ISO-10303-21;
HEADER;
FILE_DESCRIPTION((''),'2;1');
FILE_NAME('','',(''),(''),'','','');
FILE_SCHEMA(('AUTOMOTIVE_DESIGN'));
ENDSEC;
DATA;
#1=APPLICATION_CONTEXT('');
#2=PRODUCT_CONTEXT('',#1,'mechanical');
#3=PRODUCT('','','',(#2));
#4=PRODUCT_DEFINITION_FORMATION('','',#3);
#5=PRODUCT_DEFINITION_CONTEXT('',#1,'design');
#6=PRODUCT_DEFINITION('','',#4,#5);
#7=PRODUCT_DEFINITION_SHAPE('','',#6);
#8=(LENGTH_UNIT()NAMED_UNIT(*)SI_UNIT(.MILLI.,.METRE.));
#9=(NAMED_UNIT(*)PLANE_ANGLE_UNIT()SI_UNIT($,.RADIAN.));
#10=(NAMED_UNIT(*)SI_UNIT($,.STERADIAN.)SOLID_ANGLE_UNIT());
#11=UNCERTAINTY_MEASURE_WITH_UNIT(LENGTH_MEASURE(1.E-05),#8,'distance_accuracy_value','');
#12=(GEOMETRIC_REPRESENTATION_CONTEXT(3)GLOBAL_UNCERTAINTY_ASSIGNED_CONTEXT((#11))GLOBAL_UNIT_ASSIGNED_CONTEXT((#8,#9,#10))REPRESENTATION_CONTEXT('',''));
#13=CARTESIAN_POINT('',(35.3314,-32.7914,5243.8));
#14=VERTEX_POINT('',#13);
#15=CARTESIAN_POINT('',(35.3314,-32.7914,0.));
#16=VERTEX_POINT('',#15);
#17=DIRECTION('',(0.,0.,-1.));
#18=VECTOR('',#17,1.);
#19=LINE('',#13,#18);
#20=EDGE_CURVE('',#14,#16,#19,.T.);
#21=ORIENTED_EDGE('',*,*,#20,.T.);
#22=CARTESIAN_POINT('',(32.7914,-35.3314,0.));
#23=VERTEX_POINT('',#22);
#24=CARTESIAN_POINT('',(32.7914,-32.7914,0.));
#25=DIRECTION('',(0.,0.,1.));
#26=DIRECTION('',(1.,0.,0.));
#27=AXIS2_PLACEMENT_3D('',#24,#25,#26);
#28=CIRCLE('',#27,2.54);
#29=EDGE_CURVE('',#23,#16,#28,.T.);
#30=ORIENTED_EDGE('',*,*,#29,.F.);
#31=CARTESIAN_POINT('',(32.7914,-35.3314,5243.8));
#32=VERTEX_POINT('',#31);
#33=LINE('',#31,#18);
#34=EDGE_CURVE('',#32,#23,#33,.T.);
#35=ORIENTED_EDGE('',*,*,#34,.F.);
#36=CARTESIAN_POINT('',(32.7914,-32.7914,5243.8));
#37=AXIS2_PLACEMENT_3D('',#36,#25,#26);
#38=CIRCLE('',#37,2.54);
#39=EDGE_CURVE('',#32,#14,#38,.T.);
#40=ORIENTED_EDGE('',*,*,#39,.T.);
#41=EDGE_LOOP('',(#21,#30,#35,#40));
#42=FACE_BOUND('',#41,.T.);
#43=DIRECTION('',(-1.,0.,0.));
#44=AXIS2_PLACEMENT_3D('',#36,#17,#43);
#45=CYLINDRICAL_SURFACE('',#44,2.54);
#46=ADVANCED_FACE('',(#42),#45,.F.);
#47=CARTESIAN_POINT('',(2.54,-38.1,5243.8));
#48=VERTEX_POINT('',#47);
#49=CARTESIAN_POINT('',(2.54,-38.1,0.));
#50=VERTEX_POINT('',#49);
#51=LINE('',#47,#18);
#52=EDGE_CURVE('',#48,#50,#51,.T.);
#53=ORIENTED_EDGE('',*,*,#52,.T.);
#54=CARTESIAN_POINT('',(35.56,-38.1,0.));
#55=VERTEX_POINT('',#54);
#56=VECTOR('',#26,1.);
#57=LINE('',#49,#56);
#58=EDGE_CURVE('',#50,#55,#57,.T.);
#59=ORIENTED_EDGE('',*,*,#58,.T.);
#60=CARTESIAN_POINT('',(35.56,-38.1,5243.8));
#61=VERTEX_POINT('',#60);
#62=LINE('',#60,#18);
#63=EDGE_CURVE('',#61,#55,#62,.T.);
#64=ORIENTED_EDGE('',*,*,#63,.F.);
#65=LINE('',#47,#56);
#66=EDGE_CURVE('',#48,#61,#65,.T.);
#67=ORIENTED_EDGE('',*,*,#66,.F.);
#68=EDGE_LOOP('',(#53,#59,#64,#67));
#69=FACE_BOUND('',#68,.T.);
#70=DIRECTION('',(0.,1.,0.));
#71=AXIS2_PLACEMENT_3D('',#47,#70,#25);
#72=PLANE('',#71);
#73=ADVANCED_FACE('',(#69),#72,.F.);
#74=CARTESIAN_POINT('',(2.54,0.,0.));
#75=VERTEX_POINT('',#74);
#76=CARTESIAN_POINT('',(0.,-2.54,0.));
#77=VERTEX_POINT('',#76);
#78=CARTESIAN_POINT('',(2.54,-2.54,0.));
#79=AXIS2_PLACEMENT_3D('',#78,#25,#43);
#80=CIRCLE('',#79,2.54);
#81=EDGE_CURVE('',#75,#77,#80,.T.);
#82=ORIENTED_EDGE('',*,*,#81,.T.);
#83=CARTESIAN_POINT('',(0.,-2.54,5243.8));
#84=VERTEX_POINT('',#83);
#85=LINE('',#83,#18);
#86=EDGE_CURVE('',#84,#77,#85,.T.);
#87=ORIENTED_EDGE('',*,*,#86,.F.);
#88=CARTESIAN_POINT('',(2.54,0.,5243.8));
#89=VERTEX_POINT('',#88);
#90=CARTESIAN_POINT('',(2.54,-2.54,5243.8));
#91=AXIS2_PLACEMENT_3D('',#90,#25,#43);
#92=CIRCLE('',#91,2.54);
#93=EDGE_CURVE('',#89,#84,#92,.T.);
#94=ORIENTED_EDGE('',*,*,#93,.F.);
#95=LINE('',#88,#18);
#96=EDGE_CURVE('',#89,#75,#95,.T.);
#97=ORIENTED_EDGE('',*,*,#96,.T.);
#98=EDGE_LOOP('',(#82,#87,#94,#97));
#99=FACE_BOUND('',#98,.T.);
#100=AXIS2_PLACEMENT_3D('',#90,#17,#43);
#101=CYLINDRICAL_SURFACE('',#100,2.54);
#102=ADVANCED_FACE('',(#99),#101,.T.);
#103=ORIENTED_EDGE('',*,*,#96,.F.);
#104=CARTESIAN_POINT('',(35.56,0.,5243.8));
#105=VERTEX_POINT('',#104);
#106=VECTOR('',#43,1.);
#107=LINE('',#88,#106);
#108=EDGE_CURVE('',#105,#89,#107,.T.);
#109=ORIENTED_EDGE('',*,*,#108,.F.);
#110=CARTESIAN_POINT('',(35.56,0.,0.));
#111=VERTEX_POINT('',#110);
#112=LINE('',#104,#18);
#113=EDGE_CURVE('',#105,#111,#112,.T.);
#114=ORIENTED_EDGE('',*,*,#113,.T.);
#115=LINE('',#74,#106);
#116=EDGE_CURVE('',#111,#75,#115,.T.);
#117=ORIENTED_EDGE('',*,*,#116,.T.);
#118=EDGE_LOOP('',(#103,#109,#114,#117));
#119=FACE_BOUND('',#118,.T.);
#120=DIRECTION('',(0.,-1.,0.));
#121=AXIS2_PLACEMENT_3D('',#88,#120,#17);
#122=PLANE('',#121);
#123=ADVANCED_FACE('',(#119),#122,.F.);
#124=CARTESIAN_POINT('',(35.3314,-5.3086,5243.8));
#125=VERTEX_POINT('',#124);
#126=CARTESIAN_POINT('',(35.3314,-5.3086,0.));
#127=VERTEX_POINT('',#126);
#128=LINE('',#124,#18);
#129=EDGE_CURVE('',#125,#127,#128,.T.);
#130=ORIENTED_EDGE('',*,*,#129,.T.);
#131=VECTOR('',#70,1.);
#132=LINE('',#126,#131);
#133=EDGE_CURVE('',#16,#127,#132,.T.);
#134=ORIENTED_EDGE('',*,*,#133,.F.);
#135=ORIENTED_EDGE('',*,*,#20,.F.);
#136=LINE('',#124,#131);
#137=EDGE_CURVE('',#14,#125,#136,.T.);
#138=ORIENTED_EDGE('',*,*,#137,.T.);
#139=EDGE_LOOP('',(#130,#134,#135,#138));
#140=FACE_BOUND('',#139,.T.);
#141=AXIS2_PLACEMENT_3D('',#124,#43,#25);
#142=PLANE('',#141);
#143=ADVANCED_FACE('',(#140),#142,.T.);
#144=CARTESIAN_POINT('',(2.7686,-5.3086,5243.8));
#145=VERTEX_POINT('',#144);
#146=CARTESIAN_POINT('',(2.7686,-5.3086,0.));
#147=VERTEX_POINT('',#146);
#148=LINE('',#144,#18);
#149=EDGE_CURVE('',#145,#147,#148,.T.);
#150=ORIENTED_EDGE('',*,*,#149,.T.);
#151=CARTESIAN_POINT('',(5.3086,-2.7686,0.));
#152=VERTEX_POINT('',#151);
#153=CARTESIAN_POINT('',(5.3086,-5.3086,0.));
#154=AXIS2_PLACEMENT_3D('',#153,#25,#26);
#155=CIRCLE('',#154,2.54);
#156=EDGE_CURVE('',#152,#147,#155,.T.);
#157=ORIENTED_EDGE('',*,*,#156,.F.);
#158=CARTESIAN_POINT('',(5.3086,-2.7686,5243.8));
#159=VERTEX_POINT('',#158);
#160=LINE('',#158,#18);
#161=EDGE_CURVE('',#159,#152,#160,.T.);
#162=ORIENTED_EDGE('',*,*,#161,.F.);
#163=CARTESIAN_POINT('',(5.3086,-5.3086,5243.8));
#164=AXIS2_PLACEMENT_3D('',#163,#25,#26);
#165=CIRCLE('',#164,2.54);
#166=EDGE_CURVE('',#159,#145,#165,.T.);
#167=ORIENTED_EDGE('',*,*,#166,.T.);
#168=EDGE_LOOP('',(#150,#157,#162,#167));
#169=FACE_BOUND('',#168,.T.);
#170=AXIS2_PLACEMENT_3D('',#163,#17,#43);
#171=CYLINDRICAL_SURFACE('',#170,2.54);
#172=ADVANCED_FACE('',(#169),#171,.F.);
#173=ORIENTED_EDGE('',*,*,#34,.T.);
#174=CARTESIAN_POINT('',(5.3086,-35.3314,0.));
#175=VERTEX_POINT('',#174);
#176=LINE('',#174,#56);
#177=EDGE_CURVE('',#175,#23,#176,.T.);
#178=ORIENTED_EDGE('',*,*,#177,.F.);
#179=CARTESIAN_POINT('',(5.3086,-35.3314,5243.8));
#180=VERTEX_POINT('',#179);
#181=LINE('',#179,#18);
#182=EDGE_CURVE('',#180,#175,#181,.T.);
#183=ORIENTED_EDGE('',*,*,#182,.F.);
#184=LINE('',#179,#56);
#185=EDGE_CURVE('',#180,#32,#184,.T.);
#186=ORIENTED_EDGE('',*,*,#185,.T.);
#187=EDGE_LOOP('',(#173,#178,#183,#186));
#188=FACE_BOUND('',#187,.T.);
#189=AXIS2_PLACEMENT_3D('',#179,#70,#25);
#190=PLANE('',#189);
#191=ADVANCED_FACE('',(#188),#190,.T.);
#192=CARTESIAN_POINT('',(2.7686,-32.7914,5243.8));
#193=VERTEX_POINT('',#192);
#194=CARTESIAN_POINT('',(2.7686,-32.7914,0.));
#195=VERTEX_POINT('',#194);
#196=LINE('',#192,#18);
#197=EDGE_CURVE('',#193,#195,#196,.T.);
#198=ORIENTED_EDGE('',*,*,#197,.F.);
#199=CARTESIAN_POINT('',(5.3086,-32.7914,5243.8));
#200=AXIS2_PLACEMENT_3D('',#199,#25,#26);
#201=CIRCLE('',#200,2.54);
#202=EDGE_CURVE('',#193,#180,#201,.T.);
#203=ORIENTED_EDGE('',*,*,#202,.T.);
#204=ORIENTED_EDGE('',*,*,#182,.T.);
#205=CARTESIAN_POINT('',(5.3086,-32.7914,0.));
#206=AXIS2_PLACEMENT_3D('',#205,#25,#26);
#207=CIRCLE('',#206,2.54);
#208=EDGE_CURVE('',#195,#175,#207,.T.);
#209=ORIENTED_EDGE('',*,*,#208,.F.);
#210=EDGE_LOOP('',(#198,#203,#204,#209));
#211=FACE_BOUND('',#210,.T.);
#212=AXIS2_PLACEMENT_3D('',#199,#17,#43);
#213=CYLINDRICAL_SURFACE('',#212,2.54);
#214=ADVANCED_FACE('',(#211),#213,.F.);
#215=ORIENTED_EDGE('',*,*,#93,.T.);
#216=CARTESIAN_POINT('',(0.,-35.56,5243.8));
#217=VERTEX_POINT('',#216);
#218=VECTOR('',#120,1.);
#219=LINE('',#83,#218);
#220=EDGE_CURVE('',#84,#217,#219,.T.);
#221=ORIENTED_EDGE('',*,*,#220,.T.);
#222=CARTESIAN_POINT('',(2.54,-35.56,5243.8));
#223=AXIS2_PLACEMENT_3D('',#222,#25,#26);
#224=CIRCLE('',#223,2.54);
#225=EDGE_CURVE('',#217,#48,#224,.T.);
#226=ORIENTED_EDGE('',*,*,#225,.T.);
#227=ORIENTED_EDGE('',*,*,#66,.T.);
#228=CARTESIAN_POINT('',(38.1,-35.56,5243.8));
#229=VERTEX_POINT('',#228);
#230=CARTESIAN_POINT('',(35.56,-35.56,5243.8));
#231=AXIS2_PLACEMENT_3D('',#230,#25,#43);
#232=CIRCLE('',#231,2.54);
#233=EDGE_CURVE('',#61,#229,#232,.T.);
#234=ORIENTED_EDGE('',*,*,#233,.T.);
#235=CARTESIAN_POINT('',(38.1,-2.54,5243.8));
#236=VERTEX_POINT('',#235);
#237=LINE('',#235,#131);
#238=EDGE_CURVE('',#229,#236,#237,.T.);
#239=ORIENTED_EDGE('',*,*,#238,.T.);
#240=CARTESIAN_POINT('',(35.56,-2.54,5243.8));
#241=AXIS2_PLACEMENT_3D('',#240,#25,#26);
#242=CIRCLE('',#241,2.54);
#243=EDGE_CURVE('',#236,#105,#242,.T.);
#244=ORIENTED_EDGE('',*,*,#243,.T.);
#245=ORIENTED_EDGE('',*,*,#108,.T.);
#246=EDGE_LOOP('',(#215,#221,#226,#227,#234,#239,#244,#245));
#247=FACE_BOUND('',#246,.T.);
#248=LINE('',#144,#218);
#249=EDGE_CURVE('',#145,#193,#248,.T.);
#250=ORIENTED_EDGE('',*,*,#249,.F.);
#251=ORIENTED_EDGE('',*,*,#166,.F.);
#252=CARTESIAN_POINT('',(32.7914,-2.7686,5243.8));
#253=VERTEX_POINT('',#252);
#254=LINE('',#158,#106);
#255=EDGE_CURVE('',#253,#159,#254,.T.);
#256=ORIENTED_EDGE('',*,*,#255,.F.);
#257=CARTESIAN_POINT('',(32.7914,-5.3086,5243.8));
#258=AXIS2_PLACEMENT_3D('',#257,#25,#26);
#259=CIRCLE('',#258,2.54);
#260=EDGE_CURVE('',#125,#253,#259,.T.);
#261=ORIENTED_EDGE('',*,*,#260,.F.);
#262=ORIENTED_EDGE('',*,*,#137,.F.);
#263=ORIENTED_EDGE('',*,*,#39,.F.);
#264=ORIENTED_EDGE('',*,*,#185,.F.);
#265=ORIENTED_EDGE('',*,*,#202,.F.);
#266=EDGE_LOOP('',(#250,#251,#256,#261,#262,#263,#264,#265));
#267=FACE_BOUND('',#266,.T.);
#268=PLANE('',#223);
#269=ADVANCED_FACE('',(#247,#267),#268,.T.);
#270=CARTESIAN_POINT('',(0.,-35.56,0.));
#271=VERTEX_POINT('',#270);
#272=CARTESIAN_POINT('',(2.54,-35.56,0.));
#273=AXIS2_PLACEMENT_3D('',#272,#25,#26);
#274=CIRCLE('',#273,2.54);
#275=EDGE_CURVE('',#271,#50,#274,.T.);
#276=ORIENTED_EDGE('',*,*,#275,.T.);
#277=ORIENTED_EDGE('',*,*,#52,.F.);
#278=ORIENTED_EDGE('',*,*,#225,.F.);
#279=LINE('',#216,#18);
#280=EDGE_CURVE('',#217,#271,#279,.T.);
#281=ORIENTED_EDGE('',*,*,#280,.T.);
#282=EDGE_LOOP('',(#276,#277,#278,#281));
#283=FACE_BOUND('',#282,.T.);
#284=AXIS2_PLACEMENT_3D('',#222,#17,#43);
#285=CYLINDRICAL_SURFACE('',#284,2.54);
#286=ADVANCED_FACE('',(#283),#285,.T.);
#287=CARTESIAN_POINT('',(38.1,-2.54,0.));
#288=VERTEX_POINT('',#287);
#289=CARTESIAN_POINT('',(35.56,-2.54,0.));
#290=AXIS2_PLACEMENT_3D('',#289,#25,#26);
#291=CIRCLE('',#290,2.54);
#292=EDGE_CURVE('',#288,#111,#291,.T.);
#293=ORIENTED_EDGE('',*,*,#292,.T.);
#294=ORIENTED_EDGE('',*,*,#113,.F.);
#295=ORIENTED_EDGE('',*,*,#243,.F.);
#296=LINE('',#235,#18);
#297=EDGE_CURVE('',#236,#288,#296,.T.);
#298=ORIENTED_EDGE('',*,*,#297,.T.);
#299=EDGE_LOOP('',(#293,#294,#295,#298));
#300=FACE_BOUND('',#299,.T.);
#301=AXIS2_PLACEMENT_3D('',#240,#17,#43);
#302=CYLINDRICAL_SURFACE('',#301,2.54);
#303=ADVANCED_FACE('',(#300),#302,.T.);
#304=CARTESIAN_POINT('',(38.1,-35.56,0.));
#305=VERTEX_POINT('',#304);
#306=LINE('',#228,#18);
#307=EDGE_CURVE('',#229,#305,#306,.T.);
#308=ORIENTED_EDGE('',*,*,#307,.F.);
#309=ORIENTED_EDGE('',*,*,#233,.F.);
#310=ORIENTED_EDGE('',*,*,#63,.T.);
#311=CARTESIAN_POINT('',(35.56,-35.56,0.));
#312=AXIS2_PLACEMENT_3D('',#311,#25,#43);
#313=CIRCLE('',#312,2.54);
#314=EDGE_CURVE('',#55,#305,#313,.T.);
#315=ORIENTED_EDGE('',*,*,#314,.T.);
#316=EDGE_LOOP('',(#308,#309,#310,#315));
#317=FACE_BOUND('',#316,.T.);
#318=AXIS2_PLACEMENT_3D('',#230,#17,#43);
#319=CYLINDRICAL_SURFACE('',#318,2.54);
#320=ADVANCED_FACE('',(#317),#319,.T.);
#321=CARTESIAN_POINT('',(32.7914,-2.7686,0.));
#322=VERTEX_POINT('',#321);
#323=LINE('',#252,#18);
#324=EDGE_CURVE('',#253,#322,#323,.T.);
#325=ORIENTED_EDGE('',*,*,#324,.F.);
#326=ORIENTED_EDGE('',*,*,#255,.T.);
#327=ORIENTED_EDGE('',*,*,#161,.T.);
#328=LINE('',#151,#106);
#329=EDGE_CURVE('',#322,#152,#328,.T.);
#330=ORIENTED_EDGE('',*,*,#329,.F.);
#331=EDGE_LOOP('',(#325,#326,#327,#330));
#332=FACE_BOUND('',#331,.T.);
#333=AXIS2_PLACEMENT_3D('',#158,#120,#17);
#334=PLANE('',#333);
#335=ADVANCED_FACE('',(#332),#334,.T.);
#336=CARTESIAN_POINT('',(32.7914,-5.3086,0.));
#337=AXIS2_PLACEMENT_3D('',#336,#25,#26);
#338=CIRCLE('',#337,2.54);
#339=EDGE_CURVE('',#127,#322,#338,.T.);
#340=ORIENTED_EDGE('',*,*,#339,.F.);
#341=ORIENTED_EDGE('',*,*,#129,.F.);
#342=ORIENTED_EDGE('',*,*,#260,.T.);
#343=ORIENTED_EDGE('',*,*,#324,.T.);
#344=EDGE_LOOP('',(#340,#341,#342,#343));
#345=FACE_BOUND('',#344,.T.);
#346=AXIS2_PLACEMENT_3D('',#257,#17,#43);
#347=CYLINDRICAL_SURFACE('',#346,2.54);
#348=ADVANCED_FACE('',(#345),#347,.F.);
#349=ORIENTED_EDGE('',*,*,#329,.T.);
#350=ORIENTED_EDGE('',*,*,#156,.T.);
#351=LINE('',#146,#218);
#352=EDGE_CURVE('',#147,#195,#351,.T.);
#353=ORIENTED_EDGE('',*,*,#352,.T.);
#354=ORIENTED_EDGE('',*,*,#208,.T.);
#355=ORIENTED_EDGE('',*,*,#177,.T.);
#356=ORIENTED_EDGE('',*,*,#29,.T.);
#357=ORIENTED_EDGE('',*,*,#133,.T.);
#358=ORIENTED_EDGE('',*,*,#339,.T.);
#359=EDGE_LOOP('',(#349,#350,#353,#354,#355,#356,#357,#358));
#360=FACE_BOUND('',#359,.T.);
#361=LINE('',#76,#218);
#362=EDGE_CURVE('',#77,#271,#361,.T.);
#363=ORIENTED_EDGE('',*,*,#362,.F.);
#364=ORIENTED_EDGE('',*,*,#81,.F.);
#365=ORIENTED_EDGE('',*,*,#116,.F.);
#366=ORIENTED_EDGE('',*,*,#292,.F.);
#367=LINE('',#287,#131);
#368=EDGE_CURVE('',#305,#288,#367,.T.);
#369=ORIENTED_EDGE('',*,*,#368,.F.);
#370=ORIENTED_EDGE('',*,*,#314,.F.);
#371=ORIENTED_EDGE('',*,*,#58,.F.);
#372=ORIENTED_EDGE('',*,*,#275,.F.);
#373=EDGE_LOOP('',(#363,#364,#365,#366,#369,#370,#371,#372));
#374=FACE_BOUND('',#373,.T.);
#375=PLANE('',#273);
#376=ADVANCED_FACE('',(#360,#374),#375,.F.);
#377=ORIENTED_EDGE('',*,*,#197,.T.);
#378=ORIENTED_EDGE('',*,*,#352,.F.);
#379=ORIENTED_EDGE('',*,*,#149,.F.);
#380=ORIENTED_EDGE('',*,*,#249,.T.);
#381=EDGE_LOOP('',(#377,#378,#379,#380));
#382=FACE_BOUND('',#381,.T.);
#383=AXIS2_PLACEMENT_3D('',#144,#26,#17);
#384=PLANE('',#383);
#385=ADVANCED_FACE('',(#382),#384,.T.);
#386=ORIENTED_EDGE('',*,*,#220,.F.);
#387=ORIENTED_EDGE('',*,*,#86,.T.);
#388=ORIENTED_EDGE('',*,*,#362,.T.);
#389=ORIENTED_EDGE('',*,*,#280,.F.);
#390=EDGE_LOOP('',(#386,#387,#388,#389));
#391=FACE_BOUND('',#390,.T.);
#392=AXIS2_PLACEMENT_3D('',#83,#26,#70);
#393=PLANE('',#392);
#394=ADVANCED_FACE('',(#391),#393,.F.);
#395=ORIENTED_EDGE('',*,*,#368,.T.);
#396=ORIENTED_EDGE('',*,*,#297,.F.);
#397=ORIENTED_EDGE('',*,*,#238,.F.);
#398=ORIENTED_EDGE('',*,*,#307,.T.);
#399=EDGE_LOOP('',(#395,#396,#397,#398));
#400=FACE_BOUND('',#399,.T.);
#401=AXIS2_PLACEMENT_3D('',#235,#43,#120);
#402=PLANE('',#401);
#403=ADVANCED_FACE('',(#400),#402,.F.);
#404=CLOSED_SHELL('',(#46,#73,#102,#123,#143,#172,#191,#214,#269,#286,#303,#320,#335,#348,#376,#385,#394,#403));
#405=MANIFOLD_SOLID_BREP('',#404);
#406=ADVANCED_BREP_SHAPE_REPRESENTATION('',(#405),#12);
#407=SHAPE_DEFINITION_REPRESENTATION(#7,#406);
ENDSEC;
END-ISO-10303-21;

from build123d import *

# Parameters (mm, degrees)
BOSS_EXTRUDE1_DEPTH = 5243.80000006


with BuildPart() as part:
    # Sketch1 → Boss-Extrude1 (new body)
    with BuildSketch(Plane.XY):
        with BuildLine():
            Line((2.54, 0), (35.56, 0))
            ThreePointArc((35.56, 0), (37.356051224, -0.743948776), (38.1, -2.54))
            Line((38.1, -2.54), (38.1, -35.56))
            ThreePointArc((38.1, -35.56), (37.356051224, -37.356051224), (35.56, -38.1))
            Line((35.56, -38.1), (2.54, -38.1))
            ThreePointArc((2.54, -38.1), (0.743948776, -37.356051224), (0, -35.56))
            Line((0, -35.56), (0, -2.54))
            ThreePointArc((0, -2.54), (0.743948776, -0.743948776), (2.54, 0))
        make_face()
        with BuildLine():
            Line((5.3086, -2.7686), (32.7914, -2.7686))
            ThreePointArc((32.7914, -2.7686), (34.587451224, -3.512548776), (35.3314, -5.3086))
            Line((35.3314, -5.3086), (35.3314, -32.7914))
            ThreePointArc((35.3314, -32.7914), (34.587451224, -34.587451224), (32.7914, -35.3314))
            Line((32.7914, -35.3314), (5.3086, -35.3314))
            ThreePointArc((5.3086, -35.3314), (3.512548776, -34.587451224), (2.7686, -32.7914))
            Line((2.7686, -32.7914), (2.7686, -5.3086))
            ThreePointArc((2.7686, -5.3086), (3.512548776, -3.512548776), (5.3086, -2.7686))
        make_face(mode=Mode.SUBTRACT)
    extrude(amount=BOSS_EXTRUDE1_DEPTH)


solid = part.part
